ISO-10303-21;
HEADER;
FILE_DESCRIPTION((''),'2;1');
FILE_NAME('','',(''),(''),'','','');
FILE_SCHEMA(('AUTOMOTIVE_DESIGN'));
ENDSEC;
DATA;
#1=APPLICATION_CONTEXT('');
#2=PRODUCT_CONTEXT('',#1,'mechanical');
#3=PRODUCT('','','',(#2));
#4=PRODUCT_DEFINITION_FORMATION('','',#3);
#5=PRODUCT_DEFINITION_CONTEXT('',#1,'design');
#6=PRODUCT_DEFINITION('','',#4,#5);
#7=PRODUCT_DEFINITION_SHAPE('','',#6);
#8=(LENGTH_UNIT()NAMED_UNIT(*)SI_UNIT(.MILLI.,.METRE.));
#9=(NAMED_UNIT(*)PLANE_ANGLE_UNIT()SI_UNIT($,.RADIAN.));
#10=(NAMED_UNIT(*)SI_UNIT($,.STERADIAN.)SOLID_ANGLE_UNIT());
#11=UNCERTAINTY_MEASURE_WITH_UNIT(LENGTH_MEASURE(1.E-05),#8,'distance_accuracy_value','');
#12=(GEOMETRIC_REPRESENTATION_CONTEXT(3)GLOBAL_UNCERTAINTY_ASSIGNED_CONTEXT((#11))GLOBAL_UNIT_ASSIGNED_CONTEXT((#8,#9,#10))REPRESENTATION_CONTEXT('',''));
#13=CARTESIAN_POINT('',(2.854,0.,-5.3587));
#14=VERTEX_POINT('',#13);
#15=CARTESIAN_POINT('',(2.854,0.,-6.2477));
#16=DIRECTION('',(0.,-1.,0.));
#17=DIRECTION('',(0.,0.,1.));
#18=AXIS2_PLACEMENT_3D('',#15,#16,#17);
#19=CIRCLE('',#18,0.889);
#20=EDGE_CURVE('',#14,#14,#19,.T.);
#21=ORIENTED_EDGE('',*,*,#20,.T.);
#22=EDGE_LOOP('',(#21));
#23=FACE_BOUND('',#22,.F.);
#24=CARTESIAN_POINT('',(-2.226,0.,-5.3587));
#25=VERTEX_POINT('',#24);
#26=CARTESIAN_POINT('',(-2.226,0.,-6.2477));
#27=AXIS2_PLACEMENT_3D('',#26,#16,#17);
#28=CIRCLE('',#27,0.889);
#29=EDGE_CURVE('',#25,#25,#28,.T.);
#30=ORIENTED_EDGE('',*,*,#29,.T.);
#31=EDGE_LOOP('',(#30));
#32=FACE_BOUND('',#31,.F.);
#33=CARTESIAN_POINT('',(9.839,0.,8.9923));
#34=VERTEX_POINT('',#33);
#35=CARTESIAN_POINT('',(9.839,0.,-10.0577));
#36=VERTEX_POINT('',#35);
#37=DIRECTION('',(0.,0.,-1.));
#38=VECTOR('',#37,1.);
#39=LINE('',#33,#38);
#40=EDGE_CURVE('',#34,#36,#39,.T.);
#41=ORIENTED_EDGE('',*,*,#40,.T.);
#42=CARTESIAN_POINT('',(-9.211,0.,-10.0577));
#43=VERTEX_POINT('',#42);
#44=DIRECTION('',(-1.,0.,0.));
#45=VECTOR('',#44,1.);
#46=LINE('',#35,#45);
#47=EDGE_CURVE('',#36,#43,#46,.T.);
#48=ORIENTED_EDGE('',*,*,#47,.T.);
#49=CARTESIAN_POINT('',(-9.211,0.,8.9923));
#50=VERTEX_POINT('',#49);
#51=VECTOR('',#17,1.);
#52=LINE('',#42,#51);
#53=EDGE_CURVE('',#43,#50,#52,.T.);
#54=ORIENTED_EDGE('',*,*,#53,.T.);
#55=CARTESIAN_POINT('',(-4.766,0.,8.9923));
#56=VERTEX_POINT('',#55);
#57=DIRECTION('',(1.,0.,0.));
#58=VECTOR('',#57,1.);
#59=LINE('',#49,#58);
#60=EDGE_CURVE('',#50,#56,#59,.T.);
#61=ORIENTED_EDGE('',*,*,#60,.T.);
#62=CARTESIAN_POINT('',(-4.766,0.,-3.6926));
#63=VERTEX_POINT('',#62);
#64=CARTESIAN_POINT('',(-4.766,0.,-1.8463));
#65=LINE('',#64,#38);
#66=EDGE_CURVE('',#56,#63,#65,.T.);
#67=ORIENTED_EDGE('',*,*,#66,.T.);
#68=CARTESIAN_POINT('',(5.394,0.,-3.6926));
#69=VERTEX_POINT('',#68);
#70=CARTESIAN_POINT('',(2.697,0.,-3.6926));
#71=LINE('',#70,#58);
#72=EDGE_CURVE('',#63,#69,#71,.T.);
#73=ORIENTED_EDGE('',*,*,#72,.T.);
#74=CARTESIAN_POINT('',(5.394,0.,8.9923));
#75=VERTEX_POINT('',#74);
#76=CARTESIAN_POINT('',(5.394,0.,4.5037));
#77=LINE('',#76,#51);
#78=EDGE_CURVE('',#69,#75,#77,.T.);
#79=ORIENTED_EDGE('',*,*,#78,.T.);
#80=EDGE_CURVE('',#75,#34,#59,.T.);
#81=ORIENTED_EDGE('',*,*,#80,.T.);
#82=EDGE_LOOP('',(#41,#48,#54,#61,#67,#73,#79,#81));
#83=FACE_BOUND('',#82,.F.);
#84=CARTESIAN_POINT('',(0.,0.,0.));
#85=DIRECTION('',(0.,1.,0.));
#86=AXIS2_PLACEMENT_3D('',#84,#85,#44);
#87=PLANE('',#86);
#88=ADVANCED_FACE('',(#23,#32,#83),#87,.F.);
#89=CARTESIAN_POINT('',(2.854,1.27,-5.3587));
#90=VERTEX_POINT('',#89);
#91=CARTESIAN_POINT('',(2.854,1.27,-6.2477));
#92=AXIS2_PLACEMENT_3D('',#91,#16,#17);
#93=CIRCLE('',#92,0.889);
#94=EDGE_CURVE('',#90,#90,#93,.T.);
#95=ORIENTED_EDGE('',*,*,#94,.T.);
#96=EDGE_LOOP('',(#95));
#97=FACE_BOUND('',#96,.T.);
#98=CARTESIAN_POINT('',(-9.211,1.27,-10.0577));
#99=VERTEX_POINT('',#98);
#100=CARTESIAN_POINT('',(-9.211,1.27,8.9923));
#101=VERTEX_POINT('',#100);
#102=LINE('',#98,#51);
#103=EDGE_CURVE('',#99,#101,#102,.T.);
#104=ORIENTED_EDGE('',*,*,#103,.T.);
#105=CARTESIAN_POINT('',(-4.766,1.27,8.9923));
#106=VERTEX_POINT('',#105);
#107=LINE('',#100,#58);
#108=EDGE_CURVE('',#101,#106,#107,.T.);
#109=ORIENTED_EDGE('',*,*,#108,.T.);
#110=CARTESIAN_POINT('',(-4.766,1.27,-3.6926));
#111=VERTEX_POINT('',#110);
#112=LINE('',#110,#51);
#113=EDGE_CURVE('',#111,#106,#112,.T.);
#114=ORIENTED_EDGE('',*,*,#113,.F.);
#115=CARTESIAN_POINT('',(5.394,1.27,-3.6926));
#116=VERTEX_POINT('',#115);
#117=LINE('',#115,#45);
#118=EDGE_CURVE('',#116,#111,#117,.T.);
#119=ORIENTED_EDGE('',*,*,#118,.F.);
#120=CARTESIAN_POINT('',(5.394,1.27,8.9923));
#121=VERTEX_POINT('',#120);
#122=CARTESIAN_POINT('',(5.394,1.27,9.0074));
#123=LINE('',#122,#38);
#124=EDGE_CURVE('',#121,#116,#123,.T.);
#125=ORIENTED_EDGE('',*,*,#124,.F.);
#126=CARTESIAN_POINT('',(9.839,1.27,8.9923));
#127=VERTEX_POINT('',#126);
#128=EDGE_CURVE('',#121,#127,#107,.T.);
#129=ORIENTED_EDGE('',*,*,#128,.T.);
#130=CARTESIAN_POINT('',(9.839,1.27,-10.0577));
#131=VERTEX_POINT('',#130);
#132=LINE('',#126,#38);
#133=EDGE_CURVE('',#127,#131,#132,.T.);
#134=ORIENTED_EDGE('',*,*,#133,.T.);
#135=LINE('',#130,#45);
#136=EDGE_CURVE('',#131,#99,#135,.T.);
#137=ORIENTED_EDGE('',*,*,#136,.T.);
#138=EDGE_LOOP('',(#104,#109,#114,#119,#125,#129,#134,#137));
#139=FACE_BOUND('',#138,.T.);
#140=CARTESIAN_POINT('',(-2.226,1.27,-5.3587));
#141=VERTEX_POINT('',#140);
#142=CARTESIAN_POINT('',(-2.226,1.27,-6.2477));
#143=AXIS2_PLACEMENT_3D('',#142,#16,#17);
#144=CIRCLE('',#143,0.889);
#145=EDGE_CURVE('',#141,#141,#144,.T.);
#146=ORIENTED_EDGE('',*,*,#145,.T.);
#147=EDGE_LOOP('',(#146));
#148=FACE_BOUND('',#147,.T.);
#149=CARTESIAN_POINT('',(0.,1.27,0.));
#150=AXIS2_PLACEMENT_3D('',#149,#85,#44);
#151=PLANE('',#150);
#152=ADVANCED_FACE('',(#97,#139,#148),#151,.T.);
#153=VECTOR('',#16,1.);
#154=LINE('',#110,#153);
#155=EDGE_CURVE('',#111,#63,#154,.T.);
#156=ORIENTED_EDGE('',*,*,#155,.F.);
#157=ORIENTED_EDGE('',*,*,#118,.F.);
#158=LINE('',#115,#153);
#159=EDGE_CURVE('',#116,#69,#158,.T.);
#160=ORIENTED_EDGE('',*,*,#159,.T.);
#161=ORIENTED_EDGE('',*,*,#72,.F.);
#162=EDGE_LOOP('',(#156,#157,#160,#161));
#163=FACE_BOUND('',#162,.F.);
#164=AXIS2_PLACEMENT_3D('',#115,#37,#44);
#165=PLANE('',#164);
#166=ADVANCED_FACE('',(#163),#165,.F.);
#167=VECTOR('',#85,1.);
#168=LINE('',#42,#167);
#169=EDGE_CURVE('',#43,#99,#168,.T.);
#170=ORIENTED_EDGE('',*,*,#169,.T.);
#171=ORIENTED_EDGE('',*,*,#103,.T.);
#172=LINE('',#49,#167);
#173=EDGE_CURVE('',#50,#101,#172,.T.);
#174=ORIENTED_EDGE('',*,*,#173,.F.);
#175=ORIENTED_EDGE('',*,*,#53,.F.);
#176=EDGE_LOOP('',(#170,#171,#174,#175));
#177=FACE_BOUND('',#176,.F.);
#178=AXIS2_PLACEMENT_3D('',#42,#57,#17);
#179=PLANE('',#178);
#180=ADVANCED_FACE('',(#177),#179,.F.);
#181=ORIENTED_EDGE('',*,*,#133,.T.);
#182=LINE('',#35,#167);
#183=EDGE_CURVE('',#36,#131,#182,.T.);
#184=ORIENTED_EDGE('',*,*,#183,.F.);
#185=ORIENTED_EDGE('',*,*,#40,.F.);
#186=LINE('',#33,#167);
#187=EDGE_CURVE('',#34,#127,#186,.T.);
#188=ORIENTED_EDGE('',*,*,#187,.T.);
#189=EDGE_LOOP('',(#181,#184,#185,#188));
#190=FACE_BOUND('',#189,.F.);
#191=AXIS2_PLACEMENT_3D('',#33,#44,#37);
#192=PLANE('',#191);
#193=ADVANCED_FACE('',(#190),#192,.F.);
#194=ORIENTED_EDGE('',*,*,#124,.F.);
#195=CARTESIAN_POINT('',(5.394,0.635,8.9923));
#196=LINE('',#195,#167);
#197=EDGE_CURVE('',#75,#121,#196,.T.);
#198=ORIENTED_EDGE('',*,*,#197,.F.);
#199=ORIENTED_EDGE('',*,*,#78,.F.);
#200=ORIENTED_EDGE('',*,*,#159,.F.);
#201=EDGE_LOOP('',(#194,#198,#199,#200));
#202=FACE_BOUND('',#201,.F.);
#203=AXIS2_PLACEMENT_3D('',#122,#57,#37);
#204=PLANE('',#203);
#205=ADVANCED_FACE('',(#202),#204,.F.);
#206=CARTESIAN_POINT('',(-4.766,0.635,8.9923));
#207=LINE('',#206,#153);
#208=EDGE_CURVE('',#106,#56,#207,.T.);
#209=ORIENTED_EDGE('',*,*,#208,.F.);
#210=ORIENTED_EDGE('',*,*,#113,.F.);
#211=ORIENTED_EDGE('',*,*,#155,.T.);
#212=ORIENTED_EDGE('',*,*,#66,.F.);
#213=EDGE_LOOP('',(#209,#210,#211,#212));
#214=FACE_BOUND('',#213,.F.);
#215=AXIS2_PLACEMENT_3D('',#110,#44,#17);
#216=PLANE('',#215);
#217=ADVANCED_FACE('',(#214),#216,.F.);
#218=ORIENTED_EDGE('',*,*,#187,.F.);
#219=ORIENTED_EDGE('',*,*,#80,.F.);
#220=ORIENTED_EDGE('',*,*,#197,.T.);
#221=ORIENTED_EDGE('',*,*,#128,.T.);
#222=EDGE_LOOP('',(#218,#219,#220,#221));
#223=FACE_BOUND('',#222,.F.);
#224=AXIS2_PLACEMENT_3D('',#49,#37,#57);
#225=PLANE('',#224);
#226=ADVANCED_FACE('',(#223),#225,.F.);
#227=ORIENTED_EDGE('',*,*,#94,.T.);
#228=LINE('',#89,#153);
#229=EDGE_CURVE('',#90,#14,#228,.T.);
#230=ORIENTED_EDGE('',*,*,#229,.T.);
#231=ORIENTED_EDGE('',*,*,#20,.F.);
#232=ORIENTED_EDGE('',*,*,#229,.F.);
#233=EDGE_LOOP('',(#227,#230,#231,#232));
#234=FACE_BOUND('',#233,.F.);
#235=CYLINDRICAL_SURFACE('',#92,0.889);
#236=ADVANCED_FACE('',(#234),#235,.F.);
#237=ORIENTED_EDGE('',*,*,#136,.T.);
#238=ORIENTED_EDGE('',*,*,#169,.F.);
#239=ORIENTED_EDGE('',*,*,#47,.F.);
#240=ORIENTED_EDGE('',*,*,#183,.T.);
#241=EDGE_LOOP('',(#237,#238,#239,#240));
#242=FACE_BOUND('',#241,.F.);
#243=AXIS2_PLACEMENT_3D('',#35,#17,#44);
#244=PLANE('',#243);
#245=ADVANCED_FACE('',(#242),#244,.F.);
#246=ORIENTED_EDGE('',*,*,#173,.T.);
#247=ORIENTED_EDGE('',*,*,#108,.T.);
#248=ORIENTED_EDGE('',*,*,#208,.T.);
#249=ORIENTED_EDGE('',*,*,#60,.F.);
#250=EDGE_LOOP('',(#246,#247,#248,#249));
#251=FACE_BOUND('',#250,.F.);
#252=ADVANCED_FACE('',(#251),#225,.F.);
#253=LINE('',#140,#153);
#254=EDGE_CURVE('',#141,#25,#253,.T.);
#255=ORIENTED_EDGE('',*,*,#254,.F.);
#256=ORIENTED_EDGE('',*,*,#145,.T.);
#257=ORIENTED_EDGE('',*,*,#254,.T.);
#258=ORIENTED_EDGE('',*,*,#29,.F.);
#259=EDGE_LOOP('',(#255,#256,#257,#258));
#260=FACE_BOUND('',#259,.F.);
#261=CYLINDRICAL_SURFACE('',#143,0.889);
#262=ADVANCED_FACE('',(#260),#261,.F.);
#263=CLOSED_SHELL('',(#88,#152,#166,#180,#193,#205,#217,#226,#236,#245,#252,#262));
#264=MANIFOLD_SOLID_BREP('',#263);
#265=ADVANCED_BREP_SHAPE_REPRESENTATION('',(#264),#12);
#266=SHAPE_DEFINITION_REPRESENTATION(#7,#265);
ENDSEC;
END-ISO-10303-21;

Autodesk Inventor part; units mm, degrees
ref_plane "YZ Plane" through (0, 0, 0) normal (1, 0, 0) x (0, 1, 0)
ref_plane "XZ Plane" through (0, 0, 0) normal (0, 1, 0) x (-1, 0, 0)
ref_plane "XY Plane" through (0, 0, 0) normal (0, 0, 1) x (1, 0, 0)
sketch "Sketch1" plane through (0, 0, 0) normal (0, 1, 0) x (-1, 0, 0)
  line L0 (9.211, 8.9923) -> (-9.839, 8.9923)
  line L1 (-9.839, 8.9923) -> (-9.839, -10.0577)
  line L2 (-9.839, -10.0577) -> (9.211, -10.0577)
  line L3 (9.211, -10.0577) -> (9.211, 8.9923)
  point P0 (0, 0)
  dimension "d0" = 19.05
  dimension "d1" = 19.05
extrude "Extrusion1" add sketch "Sketch1" along normal blind 1.27
sketch "Sketch2" plane through (0, 1.27, 0) normal (0, 1, 0) x (1, 0, 0)
  line L0 (-4.766, -9.0074) -> (5.394, -9.0074)
  line L1 (5.394, -9.0074) -> (5.394, 3.6926)
  line L2 (5.394, 3.6926) -> (-4.766, 3.6926)
  line L3 (-4.766, 3.6926) -> (-4.766, -9.0074)
  line L4 (-9.211, 10.0577) -> (-9.211, -8.9923) projected
  point P0 (0, 0)
  dimension "d4" = 4.445
  dimension "d5" = 10.16
  dimension "d6" = 12.7
extrude "Extrusion2" cut sketch "Sketch2" against normal up to next
hole "Hole1" at (-2.226, 1.27, -6.2477) direction (0, -1, 0) diameter 1.778 depth 1.27 clearance for "Flat Head Machine Screw (82)" size "#0" standard "Ansi Unified Screw Threads"
hole "Hole2" at (2.854, 1.27, -6.2477) direction (0, -1, 0) diameter 1.778 depth 1.27 clearance for "Flat Head Machine Screw (82)" size "#0" standard "Ansi Unified Screw Threads"
properties part number "Shutter"
